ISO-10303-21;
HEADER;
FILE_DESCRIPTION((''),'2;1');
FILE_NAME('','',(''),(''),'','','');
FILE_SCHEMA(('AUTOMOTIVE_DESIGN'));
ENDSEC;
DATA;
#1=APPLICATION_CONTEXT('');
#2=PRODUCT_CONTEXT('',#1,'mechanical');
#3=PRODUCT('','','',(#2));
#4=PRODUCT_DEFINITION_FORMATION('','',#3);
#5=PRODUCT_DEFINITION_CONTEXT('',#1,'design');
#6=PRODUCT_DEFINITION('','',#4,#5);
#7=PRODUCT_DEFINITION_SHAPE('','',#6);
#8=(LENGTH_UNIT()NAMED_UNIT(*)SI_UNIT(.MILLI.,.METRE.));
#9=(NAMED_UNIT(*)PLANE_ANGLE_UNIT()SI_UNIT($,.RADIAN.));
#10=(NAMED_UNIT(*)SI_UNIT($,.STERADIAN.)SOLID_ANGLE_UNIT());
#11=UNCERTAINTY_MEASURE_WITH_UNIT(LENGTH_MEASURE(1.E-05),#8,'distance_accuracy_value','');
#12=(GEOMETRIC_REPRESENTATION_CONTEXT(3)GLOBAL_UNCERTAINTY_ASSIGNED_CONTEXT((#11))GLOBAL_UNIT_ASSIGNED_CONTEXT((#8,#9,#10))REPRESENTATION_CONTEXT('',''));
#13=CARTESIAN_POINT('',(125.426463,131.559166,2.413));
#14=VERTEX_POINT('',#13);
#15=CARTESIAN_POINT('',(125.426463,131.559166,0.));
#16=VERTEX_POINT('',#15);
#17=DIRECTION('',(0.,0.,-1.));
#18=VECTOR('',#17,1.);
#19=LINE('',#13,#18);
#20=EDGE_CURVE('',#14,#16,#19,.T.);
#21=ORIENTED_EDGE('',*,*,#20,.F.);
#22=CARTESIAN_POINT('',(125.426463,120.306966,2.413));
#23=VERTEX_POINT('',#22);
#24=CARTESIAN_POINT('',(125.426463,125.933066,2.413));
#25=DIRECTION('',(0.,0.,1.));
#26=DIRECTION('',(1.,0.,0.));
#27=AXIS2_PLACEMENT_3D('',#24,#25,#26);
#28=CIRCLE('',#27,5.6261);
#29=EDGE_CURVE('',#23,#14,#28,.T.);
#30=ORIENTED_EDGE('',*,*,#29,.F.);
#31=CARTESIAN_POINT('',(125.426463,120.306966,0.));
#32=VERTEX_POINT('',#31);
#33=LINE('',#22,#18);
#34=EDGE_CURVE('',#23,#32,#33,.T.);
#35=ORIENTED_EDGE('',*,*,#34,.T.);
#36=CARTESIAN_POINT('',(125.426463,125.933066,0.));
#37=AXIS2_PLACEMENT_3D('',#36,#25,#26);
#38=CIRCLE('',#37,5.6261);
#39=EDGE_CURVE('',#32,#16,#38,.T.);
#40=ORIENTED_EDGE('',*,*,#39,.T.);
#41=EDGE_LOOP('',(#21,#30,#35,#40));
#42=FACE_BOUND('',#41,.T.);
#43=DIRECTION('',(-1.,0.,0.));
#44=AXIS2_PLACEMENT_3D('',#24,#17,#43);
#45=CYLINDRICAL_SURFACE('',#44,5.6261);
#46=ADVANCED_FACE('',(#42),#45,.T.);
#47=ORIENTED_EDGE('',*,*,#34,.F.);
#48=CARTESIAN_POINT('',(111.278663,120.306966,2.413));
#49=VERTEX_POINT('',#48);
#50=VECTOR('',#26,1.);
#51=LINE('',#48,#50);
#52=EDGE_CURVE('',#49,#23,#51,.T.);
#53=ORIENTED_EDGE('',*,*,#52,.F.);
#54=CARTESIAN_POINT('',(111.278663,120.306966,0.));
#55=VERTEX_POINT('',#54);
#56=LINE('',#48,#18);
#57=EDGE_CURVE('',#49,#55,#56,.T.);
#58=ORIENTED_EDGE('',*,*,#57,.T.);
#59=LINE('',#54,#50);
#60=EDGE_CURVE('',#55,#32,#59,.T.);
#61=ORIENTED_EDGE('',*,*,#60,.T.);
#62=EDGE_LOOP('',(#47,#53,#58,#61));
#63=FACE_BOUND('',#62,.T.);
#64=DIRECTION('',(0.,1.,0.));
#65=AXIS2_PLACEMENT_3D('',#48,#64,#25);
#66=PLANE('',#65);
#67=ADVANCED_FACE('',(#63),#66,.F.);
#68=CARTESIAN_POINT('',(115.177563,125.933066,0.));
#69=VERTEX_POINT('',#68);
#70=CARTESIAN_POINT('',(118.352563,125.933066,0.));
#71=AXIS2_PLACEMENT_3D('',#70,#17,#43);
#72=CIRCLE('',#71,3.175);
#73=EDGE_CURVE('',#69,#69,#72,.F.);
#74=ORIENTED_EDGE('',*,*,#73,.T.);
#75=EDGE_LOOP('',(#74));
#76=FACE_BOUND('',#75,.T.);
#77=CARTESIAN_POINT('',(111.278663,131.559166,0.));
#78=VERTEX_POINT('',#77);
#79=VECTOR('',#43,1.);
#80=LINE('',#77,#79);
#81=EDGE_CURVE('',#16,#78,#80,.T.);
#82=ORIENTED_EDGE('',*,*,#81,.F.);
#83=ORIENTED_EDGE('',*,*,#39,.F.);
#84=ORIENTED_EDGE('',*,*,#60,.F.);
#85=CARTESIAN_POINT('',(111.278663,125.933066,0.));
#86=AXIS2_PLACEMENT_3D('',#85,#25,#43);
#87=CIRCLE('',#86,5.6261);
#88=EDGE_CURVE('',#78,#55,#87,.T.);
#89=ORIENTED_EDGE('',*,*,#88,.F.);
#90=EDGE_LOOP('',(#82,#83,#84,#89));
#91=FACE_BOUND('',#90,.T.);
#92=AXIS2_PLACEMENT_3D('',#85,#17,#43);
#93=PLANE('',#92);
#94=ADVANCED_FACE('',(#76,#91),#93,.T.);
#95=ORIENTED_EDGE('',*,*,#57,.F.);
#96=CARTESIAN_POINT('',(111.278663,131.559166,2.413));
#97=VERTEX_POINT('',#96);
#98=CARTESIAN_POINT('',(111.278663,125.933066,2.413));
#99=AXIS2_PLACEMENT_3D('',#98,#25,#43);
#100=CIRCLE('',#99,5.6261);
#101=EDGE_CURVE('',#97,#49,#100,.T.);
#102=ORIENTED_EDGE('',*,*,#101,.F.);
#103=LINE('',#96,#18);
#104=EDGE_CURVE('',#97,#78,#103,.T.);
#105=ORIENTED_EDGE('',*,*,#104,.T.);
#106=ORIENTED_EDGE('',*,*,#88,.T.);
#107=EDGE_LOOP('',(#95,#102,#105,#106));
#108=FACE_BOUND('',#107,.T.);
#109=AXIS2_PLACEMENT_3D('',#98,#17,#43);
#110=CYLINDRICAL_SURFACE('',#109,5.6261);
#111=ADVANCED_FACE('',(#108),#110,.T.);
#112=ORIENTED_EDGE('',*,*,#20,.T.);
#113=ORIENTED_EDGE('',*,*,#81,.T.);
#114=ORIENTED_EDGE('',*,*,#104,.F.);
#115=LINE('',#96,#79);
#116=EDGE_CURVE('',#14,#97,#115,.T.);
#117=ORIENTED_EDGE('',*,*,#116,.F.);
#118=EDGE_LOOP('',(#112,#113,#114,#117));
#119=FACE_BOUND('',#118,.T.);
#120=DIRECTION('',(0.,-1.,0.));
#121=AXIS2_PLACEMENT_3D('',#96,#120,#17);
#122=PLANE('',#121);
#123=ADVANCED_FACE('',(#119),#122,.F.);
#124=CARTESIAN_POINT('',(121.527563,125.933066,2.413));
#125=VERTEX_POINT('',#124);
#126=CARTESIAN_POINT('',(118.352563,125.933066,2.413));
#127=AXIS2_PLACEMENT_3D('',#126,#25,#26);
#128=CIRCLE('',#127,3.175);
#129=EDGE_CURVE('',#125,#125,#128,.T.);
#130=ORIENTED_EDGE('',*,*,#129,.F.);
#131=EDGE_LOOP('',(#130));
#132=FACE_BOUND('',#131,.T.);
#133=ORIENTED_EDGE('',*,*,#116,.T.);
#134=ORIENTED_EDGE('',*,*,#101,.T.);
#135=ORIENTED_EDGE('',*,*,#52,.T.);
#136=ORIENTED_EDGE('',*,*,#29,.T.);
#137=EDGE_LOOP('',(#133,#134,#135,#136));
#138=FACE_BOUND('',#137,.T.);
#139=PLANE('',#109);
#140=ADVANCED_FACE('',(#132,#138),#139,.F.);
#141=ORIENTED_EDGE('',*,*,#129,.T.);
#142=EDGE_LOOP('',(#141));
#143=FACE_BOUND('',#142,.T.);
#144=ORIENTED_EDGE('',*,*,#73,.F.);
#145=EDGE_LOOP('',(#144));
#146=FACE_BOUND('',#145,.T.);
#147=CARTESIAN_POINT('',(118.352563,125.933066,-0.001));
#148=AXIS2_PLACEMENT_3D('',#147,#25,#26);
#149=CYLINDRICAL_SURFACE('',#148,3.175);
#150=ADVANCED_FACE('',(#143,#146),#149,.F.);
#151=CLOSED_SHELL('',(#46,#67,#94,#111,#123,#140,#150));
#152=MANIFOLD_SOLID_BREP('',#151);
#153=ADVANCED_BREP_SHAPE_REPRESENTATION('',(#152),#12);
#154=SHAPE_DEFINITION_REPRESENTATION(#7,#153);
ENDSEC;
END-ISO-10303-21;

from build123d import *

# Parameters (mm, degrees)
EXTRUDE1_DEPTH     = 2.413
CUT_EXTRUDE1_REACH = 4.413
SKETCH4_R          = 3.175


with BuildPart() as part:
    # Sketch1 → Extrude1 (new body)
    with BuildSketch(Plane.XY):
        with BuildLine():
            Line((111.27866266, 131.559165896), (125.42646266, 131.559165896))
            ThreePointArc((125.42646266, 131.559165896), (131.05256266, 125.933065896), (125.42646266, 120.306965896))
            Line((125.42646266, 120.306965896), (111.27866266, 120.306965896))
            ThreePointArc((111.27866266, 120.306965896), (105.65256266, 125.933065896), (111.27866266, 131.559165896))
        make_face()
    extrude(amount=EXTRUDE1_DEPTH)

    # Sketch4 → Cut-Extrude1 (cut, up to next)
    with BuildSketch(Plane.XY.offset(2.413), mode=Mode.PRIVATE) as cut_extrude1_sk1:
        with Locations((118.35256266, 125.933065896)):
            Circle(SKETCH4_R)
    cut_extrude1_tool1 = extrude(cut_extrude1_sk1.sketch, amount=-CUT_EXTRUDE1_REACH, mode=Mode.PRIVATE) & part.part
    add(cut_extrude1_tool1.solids().sort_by_distance((118.352563, 125.933066, 2.413))[0], mode=Mode.SUBTRACT)


solid = part.part
